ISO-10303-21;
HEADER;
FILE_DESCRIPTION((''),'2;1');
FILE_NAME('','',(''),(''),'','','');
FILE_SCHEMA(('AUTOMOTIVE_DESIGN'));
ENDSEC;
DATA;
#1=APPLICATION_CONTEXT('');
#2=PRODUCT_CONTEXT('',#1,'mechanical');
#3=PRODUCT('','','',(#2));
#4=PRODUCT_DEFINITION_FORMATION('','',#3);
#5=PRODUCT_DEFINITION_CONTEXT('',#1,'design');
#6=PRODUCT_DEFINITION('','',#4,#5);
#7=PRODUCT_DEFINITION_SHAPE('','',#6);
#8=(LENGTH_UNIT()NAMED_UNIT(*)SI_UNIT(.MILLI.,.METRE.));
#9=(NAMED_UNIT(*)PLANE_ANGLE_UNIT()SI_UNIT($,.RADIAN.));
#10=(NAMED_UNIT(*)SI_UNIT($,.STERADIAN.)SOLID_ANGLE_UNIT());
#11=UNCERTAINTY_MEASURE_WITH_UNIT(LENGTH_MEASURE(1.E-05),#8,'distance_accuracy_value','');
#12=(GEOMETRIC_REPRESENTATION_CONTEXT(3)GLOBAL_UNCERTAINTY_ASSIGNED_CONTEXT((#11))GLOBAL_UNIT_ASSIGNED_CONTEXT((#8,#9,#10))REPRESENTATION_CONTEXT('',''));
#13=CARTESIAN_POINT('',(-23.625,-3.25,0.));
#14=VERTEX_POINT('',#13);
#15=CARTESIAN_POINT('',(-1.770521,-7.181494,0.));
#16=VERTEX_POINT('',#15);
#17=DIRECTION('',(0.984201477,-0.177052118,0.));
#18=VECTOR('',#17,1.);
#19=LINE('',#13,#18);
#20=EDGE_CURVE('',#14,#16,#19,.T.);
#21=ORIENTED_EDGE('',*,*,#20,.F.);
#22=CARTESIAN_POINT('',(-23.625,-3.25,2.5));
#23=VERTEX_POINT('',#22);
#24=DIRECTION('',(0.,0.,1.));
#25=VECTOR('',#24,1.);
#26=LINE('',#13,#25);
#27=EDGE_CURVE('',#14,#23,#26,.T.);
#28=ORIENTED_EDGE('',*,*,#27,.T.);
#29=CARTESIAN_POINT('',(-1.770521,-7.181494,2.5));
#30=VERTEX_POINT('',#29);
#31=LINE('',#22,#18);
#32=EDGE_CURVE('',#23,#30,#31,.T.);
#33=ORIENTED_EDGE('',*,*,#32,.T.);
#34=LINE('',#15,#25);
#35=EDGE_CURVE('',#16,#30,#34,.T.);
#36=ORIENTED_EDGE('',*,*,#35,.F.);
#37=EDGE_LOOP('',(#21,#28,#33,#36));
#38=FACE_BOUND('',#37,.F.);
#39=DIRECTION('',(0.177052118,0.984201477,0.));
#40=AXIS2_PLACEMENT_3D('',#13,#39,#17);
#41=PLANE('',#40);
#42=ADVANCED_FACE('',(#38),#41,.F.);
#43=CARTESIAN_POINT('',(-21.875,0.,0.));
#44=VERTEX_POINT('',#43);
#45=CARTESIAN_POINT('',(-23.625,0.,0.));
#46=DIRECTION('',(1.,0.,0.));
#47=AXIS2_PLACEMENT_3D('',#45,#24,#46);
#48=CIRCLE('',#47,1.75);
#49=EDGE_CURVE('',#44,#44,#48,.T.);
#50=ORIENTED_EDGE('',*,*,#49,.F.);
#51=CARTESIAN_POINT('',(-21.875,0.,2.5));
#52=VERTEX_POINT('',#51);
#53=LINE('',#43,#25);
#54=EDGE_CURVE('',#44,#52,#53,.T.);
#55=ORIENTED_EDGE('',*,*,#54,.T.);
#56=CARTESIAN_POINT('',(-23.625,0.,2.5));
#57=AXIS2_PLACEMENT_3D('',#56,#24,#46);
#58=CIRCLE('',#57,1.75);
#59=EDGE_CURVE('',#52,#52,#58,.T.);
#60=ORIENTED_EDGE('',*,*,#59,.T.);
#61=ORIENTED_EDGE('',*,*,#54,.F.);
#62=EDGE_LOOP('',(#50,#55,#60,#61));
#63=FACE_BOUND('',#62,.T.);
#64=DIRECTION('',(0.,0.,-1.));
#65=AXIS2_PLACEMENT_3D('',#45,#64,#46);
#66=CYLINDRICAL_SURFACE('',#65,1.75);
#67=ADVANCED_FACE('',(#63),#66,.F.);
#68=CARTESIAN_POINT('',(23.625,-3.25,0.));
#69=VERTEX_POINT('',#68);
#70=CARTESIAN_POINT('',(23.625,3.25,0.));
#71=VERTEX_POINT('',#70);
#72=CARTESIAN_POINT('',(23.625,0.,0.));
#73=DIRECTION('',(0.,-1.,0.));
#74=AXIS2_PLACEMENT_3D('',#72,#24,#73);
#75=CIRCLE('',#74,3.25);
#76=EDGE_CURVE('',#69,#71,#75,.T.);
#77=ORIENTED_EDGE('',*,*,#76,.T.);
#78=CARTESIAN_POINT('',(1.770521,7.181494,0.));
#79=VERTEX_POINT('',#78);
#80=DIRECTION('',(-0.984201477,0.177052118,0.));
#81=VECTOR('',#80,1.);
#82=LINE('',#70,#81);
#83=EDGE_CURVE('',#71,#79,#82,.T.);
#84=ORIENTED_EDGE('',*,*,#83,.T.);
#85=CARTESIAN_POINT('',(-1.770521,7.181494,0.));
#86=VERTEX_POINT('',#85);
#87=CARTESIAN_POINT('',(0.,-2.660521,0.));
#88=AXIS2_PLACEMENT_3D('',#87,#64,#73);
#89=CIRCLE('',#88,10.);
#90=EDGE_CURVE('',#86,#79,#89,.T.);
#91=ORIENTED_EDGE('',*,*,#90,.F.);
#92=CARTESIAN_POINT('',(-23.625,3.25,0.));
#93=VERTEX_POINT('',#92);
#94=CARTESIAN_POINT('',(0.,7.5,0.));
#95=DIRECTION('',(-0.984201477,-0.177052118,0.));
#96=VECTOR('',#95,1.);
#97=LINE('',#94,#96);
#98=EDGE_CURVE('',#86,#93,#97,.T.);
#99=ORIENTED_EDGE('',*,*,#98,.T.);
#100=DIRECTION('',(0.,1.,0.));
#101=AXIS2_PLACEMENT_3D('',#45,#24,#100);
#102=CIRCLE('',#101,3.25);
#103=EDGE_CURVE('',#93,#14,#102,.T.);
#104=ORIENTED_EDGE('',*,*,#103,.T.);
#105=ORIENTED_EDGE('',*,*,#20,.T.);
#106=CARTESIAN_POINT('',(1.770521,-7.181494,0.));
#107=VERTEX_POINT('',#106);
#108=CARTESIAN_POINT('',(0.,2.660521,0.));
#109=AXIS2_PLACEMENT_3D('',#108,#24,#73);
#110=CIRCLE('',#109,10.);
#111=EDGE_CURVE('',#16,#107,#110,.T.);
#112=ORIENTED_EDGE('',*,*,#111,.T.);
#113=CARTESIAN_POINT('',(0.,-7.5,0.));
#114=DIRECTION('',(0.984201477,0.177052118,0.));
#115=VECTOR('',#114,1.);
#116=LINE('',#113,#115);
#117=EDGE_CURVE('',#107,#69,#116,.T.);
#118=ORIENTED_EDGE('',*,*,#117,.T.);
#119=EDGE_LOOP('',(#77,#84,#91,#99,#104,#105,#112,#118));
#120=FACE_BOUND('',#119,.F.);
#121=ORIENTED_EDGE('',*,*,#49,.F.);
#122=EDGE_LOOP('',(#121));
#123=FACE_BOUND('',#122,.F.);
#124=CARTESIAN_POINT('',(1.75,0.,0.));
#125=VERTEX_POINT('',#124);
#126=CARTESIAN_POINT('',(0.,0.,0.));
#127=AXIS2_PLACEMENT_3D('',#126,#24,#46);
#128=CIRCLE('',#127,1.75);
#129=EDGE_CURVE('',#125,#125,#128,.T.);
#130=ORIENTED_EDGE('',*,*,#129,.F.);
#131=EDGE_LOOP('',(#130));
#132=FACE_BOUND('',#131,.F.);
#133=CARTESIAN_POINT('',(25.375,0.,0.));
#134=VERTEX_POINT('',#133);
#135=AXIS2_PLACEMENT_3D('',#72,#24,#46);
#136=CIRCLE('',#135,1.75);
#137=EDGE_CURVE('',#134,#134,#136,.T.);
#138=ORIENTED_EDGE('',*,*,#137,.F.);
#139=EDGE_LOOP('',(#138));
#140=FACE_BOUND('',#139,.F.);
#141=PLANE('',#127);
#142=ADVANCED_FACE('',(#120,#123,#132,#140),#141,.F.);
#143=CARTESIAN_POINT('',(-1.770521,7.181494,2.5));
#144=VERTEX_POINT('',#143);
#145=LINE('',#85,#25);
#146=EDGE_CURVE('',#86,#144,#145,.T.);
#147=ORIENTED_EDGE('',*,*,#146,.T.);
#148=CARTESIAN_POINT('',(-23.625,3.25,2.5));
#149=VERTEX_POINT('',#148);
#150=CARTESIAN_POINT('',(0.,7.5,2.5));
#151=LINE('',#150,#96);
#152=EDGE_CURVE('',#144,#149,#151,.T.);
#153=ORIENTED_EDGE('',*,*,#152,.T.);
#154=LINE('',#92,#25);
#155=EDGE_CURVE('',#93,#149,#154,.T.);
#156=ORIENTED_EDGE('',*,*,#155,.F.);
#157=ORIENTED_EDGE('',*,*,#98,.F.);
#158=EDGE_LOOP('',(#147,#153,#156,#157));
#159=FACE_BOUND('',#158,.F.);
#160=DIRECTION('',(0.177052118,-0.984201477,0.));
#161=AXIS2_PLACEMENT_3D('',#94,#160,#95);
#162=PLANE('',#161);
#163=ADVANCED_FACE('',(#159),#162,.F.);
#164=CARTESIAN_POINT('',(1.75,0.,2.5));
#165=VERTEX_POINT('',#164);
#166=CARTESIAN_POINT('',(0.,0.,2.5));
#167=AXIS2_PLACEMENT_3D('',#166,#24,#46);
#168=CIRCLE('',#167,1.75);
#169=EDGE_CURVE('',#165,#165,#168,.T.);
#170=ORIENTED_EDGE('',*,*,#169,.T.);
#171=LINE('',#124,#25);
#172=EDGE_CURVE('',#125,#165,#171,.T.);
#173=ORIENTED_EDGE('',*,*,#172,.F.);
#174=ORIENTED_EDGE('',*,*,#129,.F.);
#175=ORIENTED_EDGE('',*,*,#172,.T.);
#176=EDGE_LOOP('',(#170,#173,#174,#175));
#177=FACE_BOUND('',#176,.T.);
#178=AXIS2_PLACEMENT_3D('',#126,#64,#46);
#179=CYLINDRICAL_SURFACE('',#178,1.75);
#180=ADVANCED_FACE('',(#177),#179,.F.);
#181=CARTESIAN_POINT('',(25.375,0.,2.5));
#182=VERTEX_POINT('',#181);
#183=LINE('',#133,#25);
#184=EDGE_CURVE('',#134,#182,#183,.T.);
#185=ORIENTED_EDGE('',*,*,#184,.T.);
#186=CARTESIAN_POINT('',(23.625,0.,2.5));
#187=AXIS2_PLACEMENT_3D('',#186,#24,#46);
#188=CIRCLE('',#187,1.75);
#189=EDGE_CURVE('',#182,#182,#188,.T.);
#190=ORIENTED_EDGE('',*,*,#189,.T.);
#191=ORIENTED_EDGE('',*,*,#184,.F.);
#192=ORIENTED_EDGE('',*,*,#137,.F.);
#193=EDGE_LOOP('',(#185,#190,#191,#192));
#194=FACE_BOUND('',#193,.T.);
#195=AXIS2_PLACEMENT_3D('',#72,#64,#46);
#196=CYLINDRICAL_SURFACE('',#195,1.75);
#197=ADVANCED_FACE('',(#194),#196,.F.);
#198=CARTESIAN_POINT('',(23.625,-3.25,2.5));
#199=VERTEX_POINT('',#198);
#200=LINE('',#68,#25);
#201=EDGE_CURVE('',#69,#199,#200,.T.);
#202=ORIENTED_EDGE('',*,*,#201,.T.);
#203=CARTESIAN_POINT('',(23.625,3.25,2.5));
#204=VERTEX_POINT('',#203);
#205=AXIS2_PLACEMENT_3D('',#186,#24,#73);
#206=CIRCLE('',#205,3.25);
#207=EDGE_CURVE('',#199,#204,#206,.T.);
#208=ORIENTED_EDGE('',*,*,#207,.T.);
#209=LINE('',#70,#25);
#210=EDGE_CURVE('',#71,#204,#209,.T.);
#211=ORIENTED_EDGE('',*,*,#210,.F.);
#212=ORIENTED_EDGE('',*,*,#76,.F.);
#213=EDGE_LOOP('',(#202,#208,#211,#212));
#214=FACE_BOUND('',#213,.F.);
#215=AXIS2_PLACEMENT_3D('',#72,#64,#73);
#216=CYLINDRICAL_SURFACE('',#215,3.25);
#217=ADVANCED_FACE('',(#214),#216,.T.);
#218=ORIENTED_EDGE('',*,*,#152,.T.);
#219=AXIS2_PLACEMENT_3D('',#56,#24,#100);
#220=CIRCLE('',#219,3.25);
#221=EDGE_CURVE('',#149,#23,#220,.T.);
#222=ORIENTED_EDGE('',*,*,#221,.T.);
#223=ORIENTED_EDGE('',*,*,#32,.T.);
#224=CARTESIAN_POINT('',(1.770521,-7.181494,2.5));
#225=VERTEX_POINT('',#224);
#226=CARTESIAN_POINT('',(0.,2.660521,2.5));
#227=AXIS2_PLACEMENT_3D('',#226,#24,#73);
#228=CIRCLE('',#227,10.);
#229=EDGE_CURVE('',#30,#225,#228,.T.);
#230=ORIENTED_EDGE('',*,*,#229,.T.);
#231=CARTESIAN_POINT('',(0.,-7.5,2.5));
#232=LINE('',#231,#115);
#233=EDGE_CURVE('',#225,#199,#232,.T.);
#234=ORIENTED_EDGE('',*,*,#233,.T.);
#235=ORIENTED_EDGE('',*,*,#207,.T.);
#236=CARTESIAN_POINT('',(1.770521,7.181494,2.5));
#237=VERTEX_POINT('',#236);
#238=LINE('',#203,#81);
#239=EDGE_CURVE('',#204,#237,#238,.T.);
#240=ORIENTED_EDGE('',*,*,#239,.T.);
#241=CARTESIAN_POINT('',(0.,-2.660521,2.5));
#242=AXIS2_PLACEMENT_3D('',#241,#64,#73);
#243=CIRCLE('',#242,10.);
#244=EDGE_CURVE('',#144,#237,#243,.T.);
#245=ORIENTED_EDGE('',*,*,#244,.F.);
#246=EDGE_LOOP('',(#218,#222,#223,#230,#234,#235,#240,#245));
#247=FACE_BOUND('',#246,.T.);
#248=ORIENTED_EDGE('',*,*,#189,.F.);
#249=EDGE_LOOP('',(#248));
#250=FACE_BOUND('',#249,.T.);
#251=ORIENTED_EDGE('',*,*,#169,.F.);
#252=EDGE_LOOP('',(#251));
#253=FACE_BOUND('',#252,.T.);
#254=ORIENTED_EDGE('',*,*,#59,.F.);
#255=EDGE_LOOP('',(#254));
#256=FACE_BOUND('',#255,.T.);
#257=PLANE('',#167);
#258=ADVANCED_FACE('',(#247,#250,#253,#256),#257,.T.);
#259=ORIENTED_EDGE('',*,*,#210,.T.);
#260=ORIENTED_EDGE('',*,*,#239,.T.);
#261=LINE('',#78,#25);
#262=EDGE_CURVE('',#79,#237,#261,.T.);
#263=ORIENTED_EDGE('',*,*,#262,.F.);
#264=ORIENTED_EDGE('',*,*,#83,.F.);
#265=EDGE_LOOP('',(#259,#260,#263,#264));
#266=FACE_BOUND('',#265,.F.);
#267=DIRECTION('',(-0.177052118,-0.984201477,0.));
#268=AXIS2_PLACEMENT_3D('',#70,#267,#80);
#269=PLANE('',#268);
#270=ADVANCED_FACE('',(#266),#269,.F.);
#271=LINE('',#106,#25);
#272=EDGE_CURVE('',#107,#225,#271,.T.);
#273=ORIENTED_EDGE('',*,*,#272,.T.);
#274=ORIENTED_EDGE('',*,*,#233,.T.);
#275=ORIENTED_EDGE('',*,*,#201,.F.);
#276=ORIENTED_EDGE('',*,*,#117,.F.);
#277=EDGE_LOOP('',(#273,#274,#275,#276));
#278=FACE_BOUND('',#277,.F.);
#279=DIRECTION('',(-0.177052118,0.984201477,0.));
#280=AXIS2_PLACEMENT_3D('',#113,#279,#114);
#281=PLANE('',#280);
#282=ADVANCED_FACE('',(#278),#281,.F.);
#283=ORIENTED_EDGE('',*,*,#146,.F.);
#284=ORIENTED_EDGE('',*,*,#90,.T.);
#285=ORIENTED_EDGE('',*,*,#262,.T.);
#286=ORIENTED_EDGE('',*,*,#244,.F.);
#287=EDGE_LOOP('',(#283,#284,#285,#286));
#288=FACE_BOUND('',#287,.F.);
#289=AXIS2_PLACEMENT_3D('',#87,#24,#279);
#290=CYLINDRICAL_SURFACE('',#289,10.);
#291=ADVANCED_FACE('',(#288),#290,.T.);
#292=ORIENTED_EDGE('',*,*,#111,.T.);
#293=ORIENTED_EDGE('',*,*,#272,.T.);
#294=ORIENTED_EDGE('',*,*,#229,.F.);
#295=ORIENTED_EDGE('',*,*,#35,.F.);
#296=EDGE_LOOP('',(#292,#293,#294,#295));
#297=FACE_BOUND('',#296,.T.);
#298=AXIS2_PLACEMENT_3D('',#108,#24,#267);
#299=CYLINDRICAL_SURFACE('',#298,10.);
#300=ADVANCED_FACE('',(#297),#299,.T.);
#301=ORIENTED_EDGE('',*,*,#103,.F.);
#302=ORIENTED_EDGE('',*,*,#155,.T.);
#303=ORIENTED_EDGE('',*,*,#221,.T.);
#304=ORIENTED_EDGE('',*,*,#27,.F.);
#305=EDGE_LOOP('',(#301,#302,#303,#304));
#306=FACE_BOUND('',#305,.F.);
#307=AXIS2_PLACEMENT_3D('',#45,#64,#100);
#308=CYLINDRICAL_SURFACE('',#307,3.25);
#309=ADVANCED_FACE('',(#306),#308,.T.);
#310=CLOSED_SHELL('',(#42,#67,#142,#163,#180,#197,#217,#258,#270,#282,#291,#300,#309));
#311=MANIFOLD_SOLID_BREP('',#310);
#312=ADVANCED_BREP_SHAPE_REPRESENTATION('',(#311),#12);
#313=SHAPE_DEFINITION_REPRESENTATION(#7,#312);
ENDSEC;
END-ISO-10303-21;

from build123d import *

# Parameters (mm, degrees)
SKETCH1_R           = 1.75
BOSS_EXTRUDE1_DEPTH = 2.5
FILLET1_R           = 10


with BuildPart() as part:
    # Sketch1 → Boss-Extrude1 (new body)
    with BuildSketch(Plane.XY):
        with BuildLine():
            ThreePointArc((-23.625, 3.25), (-26.875, 0), (-23.625, -3.25))
            Line((-23.625, -3.25), (0, -7.5))
            Line((0, -7.5), (23.625, -3.25))
            ThreePointArc((23.625, -3.25), (26.875, 0), (23.625, 3.25))
            Line((23.625, 3.25), (0, 7.5))
            Line((0, 7.5), (-23.625, 3.25))
        make_face()
        with Locations((-23.625, 0)):
            Circle(SKETCH1_R, mode=Mode.SUBTRACT)
        Circle(SKETCH1_R, mode=Mode.SUBTRACT)
        with Locations((23.625, 0)):
            Circle(SKETCH1_R, mode=Mode.SUBTRACT)
    extrude(amount=BOSS_EXTRUDE1_DEPTH)

    # Fillet1
    fillet1_edges = [part.edges().sort_by_distance(p)[0] for p in [
        (0, -7.5, 1.25),
        (0, 7.5, 1.25),
    ]]
    fillet(fillet1_edges, radius=FILLET1_R)


solid = part.part
